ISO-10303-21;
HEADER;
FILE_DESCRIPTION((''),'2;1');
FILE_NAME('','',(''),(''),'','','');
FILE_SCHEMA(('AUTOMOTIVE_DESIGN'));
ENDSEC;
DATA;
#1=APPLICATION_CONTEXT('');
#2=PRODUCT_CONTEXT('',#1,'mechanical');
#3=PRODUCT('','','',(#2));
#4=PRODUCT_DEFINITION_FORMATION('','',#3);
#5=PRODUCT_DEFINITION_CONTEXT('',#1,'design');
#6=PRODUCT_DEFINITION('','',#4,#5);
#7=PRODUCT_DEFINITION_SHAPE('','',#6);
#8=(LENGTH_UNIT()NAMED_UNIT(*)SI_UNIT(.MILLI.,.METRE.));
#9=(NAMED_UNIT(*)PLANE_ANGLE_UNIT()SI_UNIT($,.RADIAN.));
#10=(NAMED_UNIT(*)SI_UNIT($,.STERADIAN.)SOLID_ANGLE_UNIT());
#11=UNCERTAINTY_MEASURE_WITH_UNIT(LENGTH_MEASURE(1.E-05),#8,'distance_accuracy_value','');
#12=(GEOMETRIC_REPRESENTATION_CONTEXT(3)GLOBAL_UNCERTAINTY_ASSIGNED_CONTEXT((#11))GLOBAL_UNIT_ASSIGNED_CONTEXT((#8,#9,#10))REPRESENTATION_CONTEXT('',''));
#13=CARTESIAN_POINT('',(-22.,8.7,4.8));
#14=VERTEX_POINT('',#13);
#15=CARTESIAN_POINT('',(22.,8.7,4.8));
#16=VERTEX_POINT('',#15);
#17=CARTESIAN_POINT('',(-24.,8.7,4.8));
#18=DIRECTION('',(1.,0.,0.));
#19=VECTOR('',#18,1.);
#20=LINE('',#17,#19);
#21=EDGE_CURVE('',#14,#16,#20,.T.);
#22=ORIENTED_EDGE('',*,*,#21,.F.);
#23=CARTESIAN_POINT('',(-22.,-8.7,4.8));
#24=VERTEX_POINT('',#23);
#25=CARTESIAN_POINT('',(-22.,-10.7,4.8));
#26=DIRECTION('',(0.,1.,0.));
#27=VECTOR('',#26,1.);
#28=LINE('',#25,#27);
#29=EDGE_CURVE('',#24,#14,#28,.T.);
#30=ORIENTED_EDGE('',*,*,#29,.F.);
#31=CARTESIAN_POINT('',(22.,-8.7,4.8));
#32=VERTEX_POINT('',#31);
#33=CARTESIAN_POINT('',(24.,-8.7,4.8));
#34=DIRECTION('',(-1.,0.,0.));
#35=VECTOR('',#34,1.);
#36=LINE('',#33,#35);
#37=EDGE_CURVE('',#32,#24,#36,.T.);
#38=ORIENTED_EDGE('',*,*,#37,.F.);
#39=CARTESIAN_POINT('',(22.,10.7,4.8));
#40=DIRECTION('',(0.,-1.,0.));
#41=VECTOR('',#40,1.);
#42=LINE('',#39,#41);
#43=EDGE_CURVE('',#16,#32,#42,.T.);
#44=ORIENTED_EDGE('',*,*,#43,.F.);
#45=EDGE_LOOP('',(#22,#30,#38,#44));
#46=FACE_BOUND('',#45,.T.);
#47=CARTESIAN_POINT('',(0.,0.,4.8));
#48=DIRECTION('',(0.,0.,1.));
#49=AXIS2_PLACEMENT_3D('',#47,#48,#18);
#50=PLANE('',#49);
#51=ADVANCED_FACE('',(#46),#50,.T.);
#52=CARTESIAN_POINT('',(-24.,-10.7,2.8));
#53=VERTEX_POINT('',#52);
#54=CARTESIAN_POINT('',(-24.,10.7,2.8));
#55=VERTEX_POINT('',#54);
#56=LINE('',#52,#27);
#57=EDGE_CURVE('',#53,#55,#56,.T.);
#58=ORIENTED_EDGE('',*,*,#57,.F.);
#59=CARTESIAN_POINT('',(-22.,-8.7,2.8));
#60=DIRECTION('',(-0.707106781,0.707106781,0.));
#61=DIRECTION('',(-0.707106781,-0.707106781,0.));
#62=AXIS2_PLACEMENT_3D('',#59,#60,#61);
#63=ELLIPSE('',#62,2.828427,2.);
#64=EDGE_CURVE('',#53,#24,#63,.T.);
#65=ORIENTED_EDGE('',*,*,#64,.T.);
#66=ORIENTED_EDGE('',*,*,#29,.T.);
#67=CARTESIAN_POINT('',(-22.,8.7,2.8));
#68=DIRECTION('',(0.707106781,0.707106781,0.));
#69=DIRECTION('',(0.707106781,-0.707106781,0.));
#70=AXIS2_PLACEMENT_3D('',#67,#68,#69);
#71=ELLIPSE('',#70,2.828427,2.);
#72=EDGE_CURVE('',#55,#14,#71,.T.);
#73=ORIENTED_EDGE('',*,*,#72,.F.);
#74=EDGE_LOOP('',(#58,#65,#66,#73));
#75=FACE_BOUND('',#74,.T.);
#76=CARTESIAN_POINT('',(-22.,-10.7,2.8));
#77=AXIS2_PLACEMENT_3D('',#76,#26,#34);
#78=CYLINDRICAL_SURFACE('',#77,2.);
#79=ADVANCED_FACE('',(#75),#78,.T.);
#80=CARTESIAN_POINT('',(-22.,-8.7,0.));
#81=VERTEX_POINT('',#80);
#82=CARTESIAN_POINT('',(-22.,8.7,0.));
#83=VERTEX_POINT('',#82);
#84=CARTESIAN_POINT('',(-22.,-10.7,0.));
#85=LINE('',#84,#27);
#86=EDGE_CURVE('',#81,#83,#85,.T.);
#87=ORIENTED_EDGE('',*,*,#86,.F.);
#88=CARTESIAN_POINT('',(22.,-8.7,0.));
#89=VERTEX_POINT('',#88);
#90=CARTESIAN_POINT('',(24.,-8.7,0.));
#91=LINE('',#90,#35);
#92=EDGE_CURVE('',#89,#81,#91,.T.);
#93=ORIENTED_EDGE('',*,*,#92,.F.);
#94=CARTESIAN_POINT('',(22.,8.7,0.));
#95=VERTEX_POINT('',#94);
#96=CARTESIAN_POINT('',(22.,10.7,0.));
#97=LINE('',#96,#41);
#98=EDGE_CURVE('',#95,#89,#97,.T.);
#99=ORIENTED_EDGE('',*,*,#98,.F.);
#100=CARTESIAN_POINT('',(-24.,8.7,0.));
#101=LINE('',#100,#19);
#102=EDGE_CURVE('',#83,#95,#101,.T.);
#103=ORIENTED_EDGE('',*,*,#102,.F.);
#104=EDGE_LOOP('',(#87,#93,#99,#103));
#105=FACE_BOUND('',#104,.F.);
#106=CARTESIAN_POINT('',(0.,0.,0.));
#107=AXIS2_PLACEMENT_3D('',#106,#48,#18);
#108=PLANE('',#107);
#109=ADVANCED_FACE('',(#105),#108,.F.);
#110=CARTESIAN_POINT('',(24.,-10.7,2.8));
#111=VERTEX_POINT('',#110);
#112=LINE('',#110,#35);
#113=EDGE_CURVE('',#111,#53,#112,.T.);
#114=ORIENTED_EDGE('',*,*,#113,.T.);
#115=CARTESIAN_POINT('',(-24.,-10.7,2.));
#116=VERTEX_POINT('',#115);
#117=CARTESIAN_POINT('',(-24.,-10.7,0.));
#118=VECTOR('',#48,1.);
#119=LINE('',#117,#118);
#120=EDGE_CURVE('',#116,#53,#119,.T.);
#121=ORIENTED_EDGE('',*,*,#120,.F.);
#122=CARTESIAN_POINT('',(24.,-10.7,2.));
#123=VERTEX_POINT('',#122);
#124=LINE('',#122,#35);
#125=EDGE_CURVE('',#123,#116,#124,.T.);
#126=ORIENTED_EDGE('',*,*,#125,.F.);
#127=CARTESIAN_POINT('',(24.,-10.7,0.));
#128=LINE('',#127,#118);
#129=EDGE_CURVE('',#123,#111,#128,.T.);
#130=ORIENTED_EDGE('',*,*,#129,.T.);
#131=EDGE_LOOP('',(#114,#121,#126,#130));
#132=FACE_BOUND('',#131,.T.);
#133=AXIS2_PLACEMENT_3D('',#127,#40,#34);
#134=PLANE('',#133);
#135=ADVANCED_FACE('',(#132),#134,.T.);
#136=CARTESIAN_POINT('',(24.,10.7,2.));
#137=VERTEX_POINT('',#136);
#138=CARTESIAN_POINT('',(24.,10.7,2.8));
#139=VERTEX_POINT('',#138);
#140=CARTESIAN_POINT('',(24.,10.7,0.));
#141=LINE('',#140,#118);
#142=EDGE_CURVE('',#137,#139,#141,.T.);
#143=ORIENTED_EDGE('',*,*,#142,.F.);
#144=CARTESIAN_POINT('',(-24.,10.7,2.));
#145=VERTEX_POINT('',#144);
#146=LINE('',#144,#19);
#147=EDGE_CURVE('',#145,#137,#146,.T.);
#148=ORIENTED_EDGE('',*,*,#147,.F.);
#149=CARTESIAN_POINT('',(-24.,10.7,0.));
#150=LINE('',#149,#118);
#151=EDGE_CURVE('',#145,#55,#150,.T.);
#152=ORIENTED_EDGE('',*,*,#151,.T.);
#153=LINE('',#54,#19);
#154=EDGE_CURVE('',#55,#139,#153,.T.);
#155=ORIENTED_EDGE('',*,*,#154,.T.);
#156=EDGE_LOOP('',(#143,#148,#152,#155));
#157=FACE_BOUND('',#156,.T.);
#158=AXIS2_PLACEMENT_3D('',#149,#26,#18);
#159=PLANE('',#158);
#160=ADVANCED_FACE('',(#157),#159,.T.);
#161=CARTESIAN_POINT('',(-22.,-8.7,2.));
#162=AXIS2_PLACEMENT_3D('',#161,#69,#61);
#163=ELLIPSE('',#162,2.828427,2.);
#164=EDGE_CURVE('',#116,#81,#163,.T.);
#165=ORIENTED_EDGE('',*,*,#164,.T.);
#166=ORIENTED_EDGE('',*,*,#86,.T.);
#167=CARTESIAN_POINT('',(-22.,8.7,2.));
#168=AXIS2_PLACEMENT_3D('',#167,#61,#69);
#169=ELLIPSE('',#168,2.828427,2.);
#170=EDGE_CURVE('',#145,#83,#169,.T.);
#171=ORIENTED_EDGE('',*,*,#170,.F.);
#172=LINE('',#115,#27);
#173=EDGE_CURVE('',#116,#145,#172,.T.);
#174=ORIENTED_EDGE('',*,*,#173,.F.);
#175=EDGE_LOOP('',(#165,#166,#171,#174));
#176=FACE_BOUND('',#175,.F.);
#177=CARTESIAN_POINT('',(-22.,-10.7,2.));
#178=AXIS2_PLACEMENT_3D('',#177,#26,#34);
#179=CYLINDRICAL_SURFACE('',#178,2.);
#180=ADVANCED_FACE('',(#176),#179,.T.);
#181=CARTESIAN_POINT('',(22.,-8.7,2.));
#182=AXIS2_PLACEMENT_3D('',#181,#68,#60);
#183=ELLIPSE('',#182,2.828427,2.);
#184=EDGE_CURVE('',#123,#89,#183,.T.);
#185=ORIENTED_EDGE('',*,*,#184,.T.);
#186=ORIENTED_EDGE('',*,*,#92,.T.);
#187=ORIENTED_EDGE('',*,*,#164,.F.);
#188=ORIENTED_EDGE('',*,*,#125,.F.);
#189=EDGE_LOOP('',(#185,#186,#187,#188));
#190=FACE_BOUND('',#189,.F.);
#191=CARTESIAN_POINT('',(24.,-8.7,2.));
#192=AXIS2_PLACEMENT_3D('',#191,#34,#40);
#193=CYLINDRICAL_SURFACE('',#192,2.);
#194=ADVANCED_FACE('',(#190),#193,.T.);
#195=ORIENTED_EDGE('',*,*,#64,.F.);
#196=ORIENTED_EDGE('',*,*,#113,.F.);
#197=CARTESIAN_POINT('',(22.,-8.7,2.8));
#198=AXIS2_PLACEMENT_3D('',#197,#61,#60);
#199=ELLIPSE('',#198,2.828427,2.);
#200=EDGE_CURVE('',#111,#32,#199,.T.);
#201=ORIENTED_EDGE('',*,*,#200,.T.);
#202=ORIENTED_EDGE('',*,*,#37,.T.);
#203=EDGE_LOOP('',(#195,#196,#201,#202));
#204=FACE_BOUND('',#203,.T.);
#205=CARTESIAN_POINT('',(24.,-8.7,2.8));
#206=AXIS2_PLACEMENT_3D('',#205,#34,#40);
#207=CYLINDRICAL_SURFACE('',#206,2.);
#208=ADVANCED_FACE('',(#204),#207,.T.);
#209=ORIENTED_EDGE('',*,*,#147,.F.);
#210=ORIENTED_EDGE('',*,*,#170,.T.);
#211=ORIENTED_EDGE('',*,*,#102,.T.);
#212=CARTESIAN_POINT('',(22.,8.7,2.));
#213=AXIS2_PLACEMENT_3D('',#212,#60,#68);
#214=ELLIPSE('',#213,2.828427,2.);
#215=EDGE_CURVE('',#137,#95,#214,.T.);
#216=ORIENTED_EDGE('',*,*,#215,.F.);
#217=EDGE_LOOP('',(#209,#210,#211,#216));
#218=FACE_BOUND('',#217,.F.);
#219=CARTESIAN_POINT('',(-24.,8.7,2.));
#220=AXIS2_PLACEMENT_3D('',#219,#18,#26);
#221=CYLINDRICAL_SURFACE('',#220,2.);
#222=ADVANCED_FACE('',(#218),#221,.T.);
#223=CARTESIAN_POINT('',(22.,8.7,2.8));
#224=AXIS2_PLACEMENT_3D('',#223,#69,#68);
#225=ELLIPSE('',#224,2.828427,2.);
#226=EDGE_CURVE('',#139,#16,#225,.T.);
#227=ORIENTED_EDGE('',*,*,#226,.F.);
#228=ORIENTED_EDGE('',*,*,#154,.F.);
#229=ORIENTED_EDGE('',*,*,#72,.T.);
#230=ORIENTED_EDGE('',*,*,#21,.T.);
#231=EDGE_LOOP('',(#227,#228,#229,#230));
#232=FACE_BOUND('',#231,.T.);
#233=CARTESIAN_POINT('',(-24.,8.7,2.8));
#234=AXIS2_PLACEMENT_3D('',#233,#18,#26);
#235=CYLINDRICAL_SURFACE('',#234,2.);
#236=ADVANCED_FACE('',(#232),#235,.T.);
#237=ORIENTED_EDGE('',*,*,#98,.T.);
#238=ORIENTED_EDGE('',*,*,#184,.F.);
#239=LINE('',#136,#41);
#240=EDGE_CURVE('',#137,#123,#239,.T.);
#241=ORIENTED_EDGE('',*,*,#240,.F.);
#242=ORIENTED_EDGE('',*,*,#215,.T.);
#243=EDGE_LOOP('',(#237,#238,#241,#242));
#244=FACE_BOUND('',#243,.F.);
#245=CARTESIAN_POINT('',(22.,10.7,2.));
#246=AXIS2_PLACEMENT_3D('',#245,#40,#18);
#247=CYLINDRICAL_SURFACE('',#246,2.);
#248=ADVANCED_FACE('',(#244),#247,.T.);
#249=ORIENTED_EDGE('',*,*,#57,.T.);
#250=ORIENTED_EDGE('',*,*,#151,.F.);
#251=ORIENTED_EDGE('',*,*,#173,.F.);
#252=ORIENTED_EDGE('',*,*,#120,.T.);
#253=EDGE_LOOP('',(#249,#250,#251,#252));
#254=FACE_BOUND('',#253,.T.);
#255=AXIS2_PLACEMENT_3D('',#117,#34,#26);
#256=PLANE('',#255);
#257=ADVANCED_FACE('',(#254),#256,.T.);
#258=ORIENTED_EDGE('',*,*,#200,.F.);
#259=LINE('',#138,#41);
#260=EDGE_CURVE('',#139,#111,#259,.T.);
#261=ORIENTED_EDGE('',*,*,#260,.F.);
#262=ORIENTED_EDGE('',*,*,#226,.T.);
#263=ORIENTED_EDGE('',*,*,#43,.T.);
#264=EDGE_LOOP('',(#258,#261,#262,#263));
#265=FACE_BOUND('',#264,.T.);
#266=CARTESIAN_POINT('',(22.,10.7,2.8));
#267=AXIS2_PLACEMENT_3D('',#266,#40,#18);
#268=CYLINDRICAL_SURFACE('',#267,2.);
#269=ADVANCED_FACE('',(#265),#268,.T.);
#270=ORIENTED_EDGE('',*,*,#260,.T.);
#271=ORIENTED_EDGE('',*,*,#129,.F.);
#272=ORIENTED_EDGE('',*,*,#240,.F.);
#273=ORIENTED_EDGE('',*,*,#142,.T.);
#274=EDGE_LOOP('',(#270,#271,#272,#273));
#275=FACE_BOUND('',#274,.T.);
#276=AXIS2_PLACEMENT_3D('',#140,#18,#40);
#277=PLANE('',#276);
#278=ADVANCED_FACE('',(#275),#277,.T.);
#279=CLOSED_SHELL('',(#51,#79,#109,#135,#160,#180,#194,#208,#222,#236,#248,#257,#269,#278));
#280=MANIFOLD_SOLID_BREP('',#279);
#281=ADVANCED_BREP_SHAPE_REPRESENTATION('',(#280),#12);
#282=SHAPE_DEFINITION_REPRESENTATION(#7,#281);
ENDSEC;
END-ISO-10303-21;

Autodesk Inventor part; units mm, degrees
ref_plane "YZ Plane" through (0, 0, 0) normal (1, 0, 0) x (0, 1, 0)
ref_plane "XZ Plane" through (0, 0, 0) normal (0, 1, 0) x (-1, 0, 0)
ref_plane "XY Plane" through (0, 0, 0) normal (0, 0, 1) x (1, 0, 0)
sketch "Sketch1" plane through (0, 0, 0) normal (0, 0, 1) x (1, 0, 0)
  line L0 (0, 14.98) -> (0, -14.98) construction
  line L1 (-33.6, 0) -> (33.6, 0) construction
  line L2 (24, -10.7) -> (-24, -10.7)
  line L3 (-24, -10.7) -> (-24, 10.7)
  line L4 (-24, 10.7) -> (24, 10.7)
  line L5 (24, 10.7) -> (24, -10.7)
  line L6 (24, -10.7) -> (-24, 10.7) construction
  line L7 (-24, -10.7) -> (24, 10.7) construction
  point P0 (0, 0)
  dimension "d0" = 21.4
  dimension "d1" = 48
extrude "Extrusion1" add sketch "Sketch1" along normal blind 4.8
fillet "Fillet1" radius 2 8 edges at (0, -10.7, 4.8) (0, -10.7, 0) (0, 10.7, 4.8) (0, 10.7, 0) (24, 0, 4.8) (24, 0, 0) (-24, 0, 0) (-24, 0, 4.8)
properties part number "3,.7V 500mAh"
